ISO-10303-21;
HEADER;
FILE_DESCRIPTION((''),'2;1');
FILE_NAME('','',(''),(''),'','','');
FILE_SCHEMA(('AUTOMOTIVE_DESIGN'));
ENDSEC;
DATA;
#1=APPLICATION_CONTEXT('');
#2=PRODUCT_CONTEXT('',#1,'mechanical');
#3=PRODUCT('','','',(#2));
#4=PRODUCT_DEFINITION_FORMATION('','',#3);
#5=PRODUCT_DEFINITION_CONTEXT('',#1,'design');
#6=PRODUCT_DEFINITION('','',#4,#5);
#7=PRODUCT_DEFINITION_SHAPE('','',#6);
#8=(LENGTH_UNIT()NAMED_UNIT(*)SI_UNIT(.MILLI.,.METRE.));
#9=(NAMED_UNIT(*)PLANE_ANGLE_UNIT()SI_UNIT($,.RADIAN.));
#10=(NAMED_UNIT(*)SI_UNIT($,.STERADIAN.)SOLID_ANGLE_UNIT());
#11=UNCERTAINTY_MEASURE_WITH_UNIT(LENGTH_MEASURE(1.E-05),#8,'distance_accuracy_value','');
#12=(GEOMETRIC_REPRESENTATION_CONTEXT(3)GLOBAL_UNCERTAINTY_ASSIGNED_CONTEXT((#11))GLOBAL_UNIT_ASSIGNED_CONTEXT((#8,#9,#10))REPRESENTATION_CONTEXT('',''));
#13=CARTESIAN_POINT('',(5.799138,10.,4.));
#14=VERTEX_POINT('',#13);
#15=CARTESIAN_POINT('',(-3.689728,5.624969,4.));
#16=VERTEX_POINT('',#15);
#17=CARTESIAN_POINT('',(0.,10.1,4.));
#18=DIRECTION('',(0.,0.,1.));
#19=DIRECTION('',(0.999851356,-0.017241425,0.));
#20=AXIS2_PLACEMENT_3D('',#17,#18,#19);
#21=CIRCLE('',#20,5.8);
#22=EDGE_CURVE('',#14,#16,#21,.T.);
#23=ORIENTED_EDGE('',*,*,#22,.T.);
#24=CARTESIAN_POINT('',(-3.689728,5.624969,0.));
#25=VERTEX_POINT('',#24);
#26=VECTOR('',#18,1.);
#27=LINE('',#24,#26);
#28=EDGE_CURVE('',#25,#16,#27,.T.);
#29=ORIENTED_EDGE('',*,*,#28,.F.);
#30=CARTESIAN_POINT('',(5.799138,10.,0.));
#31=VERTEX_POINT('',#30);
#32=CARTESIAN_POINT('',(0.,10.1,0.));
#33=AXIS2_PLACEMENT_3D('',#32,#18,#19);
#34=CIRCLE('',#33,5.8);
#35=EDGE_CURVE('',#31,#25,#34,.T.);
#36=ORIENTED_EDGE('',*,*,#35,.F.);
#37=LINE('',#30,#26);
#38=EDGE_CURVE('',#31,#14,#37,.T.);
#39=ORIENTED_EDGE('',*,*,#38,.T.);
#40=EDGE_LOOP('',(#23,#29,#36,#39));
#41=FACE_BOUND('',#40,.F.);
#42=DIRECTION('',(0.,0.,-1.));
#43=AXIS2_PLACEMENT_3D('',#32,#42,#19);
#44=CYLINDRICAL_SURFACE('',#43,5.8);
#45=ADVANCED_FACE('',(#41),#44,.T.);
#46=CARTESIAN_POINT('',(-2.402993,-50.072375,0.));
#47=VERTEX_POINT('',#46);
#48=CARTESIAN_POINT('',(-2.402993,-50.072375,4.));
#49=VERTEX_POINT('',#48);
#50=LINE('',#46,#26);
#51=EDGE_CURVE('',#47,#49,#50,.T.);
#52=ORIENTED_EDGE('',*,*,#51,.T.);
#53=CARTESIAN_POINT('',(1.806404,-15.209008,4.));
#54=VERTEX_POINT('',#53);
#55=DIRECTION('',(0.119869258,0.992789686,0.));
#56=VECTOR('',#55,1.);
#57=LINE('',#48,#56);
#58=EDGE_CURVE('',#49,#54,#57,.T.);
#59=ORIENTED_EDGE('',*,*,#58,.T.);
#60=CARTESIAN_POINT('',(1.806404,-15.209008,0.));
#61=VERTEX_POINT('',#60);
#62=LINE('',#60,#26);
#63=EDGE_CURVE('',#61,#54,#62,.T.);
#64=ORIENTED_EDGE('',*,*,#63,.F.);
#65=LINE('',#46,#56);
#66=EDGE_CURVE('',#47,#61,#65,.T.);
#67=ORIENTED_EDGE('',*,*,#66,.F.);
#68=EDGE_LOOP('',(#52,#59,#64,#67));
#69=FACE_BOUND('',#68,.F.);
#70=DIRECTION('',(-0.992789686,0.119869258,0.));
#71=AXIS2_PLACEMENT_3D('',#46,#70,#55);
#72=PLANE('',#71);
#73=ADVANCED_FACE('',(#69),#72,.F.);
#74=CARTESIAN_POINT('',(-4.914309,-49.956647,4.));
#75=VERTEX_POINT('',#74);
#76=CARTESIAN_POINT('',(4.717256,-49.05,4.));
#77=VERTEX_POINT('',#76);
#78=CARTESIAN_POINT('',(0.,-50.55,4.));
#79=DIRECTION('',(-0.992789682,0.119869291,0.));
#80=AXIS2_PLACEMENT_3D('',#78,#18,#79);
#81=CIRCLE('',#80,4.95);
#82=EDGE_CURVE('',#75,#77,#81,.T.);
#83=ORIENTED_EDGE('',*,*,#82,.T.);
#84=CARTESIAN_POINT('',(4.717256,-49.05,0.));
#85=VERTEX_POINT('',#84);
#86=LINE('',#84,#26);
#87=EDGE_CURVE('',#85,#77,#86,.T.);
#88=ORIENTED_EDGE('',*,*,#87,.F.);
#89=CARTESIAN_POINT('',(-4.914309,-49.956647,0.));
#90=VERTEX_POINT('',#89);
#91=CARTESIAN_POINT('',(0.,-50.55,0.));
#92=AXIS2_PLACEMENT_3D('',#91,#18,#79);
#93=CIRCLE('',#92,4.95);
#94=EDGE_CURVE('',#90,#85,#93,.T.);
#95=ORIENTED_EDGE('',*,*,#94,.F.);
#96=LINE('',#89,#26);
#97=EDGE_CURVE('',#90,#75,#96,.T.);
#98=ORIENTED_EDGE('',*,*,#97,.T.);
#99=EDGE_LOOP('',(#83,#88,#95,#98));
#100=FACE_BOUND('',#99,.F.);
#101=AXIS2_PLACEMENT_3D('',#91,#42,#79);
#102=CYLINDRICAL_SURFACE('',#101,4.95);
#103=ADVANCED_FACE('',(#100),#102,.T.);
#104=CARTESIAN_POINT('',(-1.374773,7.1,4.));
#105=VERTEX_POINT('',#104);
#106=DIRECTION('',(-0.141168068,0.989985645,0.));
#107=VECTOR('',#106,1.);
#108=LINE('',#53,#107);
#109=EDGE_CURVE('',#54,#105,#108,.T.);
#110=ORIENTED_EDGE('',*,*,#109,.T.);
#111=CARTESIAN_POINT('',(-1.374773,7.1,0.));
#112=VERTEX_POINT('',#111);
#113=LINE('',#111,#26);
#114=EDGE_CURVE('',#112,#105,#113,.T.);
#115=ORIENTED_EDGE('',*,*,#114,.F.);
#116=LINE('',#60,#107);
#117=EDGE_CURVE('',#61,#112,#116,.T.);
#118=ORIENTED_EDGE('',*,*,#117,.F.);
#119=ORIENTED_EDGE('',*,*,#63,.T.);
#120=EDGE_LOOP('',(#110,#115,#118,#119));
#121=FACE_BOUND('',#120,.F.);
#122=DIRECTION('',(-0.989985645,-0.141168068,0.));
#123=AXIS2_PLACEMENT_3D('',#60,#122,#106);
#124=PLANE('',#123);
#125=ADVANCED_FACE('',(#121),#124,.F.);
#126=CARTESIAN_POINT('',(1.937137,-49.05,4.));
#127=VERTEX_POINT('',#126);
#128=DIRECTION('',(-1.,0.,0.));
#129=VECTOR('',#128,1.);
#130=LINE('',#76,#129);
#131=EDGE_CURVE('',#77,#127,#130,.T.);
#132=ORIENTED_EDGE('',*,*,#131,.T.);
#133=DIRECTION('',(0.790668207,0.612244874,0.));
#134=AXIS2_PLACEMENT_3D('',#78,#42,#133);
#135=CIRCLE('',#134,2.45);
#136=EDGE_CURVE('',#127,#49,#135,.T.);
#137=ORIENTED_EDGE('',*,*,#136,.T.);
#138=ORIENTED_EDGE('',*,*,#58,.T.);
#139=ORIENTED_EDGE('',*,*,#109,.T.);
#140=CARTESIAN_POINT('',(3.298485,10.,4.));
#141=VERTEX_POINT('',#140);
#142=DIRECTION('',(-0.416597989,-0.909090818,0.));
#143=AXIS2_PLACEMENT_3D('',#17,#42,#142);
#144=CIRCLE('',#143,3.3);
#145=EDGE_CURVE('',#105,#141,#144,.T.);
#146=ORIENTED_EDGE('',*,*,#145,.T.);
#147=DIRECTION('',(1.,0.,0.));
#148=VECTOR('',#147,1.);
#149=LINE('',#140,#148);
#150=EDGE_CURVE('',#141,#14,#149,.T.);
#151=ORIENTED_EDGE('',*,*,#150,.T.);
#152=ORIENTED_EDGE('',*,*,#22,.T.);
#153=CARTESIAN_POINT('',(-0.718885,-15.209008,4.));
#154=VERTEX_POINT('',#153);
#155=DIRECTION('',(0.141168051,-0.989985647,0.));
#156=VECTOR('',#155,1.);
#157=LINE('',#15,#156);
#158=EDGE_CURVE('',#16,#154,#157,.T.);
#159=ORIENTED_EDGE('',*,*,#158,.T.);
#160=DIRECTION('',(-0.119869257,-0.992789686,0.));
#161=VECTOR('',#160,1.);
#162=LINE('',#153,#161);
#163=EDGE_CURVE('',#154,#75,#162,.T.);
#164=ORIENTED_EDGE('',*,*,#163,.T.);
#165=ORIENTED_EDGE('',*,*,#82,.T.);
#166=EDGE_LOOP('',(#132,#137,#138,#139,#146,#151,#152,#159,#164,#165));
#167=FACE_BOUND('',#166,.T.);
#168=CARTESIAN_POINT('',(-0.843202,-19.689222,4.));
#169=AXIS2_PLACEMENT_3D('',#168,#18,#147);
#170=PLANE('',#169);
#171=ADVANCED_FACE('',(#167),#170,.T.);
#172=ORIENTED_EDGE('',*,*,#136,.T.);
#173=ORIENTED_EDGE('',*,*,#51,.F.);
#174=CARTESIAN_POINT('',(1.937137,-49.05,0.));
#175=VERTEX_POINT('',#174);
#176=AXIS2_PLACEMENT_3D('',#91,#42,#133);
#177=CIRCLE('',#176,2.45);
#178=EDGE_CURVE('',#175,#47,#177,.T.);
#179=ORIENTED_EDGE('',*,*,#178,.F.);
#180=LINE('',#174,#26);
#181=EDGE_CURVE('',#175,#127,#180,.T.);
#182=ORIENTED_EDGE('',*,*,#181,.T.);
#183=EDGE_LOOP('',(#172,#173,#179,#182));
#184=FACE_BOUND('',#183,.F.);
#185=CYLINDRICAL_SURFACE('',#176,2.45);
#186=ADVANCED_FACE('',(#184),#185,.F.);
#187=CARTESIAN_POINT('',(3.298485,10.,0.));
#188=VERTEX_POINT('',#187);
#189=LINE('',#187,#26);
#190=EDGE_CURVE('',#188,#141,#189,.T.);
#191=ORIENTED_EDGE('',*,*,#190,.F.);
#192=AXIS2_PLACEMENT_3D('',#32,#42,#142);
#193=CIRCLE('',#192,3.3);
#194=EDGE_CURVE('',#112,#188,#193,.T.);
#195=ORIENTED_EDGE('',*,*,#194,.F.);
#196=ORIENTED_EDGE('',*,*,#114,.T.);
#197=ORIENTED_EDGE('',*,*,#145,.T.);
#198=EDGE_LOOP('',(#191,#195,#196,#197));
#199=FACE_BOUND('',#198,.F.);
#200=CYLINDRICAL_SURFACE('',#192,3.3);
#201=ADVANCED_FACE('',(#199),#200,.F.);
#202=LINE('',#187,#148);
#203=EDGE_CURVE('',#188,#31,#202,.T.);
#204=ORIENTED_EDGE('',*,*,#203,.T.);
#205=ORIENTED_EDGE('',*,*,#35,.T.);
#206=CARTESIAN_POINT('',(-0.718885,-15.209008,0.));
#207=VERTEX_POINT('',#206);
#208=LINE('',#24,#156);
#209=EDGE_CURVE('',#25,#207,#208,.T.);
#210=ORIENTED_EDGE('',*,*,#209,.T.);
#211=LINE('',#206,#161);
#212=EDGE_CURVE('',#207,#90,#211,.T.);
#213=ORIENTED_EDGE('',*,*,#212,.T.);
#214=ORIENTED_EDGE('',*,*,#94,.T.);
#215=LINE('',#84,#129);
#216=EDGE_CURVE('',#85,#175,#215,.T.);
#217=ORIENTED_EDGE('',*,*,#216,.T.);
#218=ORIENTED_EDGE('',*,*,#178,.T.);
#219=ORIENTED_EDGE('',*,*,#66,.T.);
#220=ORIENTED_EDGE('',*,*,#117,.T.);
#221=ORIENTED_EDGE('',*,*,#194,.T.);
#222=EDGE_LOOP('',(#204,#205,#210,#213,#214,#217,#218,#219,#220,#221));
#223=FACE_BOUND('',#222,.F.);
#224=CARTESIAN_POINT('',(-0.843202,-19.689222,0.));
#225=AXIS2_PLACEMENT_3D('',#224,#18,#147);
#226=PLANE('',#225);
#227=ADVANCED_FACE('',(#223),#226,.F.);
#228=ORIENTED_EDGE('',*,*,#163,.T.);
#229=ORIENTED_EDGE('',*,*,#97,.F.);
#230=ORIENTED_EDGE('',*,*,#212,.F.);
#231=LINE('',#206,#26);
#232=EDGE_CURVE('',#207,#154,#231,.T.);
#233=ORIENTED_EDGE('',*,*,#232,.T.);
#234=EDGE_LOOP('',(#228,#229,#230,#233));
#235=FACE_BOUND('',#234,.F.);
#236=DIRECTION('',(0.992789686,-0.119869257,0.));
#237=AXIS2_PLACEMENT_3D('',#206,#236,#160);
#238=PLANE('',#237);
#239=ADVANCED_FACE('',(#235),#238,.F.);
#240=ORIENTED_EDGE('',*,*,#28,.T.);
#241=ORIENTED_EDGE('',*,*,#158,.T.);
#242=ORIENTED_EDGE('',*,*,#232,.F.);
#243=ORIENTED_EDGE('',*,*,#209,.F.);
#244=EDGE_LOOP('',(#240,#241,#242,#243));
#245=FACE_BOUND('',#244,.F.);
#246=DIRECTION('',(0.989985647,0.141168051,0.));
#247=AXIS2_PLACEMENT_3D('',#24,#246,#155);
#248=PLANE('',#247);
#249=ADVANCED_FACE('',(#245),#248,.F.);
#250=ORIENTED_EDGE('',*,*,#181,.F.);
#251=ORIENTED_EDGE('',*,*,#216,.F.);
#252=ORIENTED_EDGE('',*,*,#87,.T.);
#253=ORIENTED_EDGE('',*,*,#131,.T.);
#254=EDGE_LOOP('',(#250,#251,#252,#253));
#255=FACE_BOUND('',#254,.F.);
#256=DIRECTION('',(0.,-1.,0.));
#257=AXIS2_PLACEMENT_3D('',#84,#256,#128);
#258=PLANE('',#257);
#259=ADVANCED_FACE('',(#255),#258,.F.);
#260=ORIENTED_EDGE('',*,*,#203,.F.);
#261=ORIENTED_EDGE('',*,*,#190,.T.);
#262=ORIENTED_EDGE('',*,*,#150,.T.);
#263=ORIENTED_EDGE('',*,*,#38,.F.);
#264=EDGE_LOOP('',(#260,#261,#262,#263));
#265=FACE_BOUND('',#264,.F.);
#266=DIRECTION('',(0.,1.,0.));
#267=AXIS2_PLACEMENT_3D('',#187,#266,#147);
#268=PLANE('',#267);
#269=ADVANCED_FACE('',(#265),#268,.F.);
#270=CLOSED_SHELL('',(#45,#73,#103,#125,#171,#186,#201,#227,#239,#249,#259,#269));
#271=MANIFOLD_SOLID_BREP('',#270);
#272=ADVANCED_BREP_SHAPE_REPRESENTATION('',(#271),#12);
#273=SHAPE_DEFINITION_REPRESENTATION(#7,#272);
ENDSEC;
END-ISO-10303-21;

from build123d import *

# Parameters (mm, degrees)
F1_DEPTH = 4


with BuildPart() as f1:
    # F0 (on Top) → F1 (new body)
    with BuildSketch(Plane.XY):
        with BuildLine():
            ThreePointArc((-1.374773, 7.1), (-1.740019, 12.903985), (3.298485, 10))
            Line((3.298485, 10), (5.799138, 10))
            ThreePointArc((5.799138, 10), (-2.428503, 15.367103), (-3.689728, 5.624969))
            Line((-3.689728, 5.624969), (-0.718885, -15.209008))
            Line((-0.718885, -15.209008), (-4.914309, -49.956647))
            ThreePointArc((-4.914309, -49.956647), (0.463907, -55.478214), (4.717256, -49.05))
            Line((4.717256, -49.05), (1.937137, -49.05))
            ThreePointArc((1.937137, -49.05), (0.561754, -52.934729), (-2.402993, -50.072375))
            Line((-2.402993, -50.072375), (1.806404, -15.209008))
            Line((1.806404, -15.209008), (-1.374773, 7.1))
        make_face()
    extrude(amount=F1_DEPTH)


solid = f1.part
